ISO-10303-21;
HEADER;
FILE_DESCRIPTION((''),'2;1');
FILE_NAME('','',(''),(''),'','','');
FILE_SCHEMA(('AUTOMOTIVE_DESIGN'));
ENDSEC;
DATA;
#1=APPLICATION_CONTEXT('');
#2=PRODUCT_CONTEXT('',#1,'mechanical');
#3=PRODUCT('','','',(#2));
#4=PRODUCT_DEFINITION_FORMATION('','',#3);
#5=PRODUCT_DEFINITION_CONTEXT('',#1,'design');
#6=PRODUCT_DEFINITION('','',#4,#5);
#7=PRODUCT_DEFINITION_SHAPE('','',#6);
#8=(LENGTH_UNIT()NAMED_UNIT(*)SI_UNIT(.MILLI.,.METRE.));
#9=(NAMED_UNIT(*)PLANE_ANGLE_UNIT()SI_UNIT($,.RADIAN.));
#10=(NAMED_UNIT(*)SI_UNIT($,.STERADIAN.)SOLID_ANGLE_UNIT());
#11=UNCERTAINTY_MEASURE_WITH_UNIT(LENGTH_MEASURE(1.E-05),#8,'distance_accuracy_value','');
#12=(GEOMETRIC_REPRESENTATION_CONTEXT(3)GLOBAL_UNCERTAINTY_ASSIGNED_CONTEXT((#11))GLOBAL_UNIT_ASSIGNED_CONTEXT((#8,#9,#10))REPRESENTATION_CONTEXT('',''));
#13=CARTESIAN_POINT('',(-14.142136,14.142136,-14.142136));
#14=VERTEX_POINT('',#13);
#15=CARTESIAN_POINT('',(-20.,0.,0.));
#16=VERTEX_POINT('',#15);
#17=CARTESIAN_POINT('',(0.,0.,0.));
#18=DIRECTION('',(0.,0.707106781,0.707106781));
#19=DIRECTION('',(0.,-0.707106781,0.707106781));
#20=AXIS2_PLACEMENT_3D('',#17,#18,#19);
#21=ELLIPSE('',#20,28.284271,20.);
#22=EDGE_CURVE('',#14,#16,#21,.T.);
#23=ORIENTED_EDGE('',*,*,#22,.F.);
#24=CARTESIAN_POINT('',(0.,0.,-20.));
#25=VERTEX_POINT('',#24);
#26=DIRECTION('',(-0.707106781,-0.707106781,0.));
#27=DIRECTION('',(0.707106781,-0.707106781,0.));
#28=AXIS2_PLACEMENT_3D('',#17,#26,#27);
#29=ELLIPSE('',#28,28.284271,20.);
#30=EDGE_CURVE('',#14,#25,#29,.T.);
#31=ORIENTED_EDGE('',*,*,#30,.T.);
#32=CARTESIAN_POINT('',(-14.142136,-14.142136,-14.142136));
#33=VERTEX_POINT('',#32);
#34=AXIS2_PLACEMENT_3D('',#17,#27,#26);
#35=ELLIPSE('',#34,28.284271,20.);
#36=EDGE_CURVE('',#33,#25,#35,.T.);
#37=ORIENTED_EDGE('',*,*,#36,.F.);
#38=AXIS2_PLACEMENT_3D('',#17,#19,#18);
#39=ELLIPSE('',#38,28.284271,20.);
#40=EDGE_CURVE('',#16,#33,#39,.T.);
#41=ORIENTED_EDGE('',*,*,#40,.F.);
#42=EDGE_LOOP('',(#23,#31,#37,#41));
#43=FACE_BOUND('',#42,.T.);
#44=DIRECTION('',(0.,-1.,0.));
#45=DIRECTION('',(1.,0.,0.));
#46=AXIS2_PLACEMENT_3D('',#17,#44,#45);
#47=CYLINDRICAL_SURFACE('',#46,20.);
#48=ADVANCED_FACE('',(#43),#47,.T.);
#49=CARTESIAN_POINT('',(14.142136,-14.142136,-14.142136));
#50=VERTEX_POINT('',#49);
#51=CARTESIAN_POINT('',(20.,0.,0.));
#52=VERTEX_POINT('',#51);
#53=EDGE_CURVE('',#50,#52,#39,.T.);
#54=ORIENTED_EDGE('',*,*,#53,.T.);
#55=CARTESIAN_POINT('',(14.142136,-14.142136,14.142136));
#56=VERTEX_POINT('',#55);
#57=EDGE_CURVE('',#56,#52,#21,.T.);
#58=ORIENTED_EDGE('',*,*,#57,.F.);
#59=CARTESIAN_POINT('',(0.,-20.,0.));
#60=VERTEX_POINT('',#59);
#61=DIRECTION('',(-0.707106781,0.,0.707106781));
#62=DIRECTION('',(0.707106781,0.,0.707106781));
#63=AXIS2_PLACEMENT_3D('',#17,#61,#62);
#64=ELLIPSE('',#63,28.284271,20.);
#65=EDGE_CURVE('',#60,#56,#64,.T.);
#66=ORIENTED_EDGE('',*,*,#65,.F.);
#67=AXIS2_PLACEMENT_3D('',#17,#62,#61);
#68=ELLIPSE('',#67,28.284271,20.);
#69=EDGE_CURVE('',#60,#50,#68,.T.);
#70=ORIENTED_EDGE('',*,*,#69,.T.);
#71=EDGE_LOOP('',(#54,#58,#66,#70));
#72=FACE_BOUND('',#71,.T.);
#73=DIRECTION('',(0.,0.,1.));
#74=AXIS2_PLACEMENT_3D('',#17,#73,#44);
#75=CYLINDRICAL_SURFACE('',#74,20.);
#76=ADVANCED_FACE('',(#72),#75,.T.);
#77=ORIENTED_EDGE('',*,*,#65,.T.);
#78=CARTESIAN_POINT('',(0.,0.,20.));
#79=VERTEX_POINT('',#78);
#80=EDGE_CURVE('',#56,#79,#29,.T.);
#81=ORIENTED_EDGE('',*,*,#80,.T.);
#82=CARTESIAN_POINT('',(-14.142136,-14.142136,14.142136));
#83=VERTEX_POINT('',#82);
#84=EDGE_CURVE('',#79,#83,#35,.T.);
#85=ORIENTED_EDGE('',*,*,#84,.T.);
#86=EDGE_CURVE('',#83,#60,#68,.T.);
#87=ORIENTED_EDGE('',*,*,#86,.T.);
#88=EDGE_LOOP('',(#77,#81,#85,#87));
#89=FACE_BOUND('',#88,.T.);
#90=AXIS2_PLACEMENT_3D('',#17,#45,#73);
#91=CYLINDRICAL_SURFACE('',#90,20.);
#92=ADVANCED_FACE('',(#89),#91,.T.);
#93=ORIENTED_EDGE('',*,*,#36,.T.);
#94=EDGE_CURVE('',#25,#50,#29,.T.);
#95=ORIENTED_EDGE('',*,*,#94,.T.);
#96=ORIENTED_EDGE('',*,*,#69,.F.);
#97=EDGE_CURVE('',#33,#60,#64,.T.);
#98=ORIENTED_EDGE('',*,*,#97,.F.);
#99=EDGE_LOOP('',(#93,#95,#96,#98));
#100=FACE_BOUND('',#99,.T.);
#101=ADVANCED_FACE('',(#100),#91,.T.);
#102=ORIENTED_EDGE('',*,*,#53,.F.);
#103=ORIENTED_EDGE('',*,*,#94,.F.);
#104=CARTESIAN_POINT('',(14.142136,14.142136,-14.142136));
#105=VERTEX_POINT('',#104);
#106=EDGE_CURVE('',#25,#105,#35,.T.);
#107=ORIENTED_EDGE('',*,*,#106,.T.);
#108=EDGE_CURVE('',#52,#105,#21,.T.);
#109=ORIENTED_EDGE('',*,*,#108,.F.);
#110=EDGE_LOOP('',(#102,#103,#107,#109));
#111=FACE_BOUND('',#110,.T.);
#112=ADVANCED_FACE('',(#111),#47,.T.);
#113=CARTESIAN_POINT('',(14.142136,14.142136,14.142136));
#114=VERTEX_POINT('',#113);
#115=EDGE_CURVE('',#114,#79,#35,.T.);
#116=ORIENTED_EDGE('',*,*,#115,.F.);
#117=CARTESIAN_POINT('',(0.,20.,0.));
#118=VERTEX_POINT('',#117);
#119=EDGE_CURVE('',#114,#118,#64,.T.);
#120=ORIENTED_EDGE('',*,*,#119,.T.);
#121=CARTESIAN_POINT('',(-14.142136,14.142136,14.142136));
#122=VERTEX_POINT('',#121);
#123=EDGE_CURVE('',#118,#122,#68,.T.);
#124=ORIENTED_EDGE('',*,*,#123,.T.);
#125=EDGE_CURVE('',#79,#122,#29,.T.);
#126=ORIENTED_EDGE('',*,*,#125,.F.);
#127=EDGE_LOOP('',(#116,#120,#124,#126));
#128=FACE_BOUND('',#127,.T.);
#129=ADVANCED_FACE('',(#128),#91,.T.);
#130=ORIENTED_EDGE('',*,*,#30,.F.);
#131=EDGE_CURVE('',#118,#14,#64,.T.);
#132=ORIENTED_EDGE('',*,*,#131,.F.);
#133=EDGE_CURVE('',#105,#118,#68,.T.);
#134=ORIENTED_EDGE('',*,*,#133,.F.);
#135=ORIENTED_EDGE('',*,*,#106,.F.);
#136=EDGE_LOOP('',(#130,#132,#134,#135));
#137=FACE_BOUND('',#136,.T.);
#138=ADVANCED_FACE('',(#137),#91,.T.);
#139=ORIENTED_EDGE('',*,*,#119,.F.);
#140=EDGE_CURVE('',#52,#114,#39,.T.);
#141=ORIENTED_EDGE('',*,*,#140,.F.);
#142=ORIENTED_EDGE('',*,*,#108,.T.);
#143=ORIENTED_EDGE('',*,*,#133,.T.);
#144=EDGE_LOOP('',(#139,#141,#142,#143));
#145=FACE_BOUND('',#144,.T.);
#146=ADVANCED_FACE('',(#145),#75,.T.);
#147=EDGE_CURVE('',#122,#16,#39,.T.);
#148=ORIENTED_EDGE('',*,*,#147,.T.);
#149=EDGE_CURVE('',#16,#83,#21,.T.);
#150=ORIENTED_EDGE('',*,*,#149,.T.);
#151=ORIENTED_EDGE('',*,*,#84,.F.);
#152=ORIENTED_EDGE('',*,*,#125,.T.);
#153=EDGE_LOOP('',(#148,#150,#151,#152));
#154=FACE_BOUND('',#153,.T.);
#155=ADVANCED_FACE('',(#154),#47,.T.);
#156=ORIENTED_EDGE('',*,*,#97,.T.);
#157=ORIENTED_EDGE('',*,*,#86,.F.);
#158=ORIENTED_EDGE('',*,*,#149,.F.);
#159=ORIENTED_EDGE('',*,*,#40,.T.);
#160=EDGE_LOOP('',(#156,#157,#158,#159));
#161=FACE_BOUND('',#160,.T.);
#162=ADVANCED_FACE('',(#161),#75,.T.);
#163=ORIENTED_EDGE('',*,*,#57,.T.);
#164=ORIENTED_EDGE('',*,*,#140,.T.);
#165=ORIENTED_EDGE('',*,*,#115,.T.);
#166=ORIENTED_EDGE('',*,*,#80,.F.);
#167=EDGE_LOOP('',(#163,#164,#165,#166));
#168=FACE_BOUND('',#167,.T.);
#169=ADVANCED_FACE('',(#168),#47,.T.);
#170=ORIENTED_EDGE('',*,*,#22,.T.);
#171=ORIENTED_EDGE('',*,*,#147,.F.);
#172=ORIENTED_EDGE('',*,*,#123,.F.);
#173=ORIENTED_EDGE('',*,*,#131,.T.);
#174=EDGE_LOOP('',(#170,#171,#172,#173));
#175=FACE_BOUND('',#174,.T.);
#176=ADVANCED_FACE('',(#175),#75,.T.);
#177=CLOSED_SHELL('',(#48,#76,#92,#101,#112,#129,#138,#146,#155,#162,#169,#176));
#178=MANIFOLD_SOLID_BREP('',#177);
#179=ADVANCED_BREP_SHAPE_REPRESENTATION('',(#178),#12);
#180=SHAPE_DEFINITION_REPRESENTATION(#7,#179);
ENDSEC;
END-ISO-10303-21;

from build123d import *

# Parameters (mm, degrees)
F0_R     = 20
F1_DEPTH = 30
F4_COUNT = 3


with BuildPart() as f1:
    # F0 (on Front) → F1 (new body, symmetric)
    with BuildSketch(Plane.XZ):
        Circle(F0_R)
    extrude(amount=F1_DEPTH, both=True)


with BuildPart() as f4_1:
    # F4: instance of F1
    add(f1.part.rotate(Axis((20, -20, 20), (0.5773502692, -0.5773502692, 0.5773502692)), 1 * 360 / F4_COUNT))


with BuildPart() as f4_2:
    # F4: instance of F1
    add(f1.part.rotate(Axis((20, -20, 20), (0.5773502692, -0.5773502692, 0.5773502692)), 2 * 360 / F4_COUNT))

    # F5: intersect F1, F4_1
    add(f1.part, mode=Mode.INTERSECT)
    add(f4_1.part, mode=Mode.INTERSECT)


solid = f4_2.part
